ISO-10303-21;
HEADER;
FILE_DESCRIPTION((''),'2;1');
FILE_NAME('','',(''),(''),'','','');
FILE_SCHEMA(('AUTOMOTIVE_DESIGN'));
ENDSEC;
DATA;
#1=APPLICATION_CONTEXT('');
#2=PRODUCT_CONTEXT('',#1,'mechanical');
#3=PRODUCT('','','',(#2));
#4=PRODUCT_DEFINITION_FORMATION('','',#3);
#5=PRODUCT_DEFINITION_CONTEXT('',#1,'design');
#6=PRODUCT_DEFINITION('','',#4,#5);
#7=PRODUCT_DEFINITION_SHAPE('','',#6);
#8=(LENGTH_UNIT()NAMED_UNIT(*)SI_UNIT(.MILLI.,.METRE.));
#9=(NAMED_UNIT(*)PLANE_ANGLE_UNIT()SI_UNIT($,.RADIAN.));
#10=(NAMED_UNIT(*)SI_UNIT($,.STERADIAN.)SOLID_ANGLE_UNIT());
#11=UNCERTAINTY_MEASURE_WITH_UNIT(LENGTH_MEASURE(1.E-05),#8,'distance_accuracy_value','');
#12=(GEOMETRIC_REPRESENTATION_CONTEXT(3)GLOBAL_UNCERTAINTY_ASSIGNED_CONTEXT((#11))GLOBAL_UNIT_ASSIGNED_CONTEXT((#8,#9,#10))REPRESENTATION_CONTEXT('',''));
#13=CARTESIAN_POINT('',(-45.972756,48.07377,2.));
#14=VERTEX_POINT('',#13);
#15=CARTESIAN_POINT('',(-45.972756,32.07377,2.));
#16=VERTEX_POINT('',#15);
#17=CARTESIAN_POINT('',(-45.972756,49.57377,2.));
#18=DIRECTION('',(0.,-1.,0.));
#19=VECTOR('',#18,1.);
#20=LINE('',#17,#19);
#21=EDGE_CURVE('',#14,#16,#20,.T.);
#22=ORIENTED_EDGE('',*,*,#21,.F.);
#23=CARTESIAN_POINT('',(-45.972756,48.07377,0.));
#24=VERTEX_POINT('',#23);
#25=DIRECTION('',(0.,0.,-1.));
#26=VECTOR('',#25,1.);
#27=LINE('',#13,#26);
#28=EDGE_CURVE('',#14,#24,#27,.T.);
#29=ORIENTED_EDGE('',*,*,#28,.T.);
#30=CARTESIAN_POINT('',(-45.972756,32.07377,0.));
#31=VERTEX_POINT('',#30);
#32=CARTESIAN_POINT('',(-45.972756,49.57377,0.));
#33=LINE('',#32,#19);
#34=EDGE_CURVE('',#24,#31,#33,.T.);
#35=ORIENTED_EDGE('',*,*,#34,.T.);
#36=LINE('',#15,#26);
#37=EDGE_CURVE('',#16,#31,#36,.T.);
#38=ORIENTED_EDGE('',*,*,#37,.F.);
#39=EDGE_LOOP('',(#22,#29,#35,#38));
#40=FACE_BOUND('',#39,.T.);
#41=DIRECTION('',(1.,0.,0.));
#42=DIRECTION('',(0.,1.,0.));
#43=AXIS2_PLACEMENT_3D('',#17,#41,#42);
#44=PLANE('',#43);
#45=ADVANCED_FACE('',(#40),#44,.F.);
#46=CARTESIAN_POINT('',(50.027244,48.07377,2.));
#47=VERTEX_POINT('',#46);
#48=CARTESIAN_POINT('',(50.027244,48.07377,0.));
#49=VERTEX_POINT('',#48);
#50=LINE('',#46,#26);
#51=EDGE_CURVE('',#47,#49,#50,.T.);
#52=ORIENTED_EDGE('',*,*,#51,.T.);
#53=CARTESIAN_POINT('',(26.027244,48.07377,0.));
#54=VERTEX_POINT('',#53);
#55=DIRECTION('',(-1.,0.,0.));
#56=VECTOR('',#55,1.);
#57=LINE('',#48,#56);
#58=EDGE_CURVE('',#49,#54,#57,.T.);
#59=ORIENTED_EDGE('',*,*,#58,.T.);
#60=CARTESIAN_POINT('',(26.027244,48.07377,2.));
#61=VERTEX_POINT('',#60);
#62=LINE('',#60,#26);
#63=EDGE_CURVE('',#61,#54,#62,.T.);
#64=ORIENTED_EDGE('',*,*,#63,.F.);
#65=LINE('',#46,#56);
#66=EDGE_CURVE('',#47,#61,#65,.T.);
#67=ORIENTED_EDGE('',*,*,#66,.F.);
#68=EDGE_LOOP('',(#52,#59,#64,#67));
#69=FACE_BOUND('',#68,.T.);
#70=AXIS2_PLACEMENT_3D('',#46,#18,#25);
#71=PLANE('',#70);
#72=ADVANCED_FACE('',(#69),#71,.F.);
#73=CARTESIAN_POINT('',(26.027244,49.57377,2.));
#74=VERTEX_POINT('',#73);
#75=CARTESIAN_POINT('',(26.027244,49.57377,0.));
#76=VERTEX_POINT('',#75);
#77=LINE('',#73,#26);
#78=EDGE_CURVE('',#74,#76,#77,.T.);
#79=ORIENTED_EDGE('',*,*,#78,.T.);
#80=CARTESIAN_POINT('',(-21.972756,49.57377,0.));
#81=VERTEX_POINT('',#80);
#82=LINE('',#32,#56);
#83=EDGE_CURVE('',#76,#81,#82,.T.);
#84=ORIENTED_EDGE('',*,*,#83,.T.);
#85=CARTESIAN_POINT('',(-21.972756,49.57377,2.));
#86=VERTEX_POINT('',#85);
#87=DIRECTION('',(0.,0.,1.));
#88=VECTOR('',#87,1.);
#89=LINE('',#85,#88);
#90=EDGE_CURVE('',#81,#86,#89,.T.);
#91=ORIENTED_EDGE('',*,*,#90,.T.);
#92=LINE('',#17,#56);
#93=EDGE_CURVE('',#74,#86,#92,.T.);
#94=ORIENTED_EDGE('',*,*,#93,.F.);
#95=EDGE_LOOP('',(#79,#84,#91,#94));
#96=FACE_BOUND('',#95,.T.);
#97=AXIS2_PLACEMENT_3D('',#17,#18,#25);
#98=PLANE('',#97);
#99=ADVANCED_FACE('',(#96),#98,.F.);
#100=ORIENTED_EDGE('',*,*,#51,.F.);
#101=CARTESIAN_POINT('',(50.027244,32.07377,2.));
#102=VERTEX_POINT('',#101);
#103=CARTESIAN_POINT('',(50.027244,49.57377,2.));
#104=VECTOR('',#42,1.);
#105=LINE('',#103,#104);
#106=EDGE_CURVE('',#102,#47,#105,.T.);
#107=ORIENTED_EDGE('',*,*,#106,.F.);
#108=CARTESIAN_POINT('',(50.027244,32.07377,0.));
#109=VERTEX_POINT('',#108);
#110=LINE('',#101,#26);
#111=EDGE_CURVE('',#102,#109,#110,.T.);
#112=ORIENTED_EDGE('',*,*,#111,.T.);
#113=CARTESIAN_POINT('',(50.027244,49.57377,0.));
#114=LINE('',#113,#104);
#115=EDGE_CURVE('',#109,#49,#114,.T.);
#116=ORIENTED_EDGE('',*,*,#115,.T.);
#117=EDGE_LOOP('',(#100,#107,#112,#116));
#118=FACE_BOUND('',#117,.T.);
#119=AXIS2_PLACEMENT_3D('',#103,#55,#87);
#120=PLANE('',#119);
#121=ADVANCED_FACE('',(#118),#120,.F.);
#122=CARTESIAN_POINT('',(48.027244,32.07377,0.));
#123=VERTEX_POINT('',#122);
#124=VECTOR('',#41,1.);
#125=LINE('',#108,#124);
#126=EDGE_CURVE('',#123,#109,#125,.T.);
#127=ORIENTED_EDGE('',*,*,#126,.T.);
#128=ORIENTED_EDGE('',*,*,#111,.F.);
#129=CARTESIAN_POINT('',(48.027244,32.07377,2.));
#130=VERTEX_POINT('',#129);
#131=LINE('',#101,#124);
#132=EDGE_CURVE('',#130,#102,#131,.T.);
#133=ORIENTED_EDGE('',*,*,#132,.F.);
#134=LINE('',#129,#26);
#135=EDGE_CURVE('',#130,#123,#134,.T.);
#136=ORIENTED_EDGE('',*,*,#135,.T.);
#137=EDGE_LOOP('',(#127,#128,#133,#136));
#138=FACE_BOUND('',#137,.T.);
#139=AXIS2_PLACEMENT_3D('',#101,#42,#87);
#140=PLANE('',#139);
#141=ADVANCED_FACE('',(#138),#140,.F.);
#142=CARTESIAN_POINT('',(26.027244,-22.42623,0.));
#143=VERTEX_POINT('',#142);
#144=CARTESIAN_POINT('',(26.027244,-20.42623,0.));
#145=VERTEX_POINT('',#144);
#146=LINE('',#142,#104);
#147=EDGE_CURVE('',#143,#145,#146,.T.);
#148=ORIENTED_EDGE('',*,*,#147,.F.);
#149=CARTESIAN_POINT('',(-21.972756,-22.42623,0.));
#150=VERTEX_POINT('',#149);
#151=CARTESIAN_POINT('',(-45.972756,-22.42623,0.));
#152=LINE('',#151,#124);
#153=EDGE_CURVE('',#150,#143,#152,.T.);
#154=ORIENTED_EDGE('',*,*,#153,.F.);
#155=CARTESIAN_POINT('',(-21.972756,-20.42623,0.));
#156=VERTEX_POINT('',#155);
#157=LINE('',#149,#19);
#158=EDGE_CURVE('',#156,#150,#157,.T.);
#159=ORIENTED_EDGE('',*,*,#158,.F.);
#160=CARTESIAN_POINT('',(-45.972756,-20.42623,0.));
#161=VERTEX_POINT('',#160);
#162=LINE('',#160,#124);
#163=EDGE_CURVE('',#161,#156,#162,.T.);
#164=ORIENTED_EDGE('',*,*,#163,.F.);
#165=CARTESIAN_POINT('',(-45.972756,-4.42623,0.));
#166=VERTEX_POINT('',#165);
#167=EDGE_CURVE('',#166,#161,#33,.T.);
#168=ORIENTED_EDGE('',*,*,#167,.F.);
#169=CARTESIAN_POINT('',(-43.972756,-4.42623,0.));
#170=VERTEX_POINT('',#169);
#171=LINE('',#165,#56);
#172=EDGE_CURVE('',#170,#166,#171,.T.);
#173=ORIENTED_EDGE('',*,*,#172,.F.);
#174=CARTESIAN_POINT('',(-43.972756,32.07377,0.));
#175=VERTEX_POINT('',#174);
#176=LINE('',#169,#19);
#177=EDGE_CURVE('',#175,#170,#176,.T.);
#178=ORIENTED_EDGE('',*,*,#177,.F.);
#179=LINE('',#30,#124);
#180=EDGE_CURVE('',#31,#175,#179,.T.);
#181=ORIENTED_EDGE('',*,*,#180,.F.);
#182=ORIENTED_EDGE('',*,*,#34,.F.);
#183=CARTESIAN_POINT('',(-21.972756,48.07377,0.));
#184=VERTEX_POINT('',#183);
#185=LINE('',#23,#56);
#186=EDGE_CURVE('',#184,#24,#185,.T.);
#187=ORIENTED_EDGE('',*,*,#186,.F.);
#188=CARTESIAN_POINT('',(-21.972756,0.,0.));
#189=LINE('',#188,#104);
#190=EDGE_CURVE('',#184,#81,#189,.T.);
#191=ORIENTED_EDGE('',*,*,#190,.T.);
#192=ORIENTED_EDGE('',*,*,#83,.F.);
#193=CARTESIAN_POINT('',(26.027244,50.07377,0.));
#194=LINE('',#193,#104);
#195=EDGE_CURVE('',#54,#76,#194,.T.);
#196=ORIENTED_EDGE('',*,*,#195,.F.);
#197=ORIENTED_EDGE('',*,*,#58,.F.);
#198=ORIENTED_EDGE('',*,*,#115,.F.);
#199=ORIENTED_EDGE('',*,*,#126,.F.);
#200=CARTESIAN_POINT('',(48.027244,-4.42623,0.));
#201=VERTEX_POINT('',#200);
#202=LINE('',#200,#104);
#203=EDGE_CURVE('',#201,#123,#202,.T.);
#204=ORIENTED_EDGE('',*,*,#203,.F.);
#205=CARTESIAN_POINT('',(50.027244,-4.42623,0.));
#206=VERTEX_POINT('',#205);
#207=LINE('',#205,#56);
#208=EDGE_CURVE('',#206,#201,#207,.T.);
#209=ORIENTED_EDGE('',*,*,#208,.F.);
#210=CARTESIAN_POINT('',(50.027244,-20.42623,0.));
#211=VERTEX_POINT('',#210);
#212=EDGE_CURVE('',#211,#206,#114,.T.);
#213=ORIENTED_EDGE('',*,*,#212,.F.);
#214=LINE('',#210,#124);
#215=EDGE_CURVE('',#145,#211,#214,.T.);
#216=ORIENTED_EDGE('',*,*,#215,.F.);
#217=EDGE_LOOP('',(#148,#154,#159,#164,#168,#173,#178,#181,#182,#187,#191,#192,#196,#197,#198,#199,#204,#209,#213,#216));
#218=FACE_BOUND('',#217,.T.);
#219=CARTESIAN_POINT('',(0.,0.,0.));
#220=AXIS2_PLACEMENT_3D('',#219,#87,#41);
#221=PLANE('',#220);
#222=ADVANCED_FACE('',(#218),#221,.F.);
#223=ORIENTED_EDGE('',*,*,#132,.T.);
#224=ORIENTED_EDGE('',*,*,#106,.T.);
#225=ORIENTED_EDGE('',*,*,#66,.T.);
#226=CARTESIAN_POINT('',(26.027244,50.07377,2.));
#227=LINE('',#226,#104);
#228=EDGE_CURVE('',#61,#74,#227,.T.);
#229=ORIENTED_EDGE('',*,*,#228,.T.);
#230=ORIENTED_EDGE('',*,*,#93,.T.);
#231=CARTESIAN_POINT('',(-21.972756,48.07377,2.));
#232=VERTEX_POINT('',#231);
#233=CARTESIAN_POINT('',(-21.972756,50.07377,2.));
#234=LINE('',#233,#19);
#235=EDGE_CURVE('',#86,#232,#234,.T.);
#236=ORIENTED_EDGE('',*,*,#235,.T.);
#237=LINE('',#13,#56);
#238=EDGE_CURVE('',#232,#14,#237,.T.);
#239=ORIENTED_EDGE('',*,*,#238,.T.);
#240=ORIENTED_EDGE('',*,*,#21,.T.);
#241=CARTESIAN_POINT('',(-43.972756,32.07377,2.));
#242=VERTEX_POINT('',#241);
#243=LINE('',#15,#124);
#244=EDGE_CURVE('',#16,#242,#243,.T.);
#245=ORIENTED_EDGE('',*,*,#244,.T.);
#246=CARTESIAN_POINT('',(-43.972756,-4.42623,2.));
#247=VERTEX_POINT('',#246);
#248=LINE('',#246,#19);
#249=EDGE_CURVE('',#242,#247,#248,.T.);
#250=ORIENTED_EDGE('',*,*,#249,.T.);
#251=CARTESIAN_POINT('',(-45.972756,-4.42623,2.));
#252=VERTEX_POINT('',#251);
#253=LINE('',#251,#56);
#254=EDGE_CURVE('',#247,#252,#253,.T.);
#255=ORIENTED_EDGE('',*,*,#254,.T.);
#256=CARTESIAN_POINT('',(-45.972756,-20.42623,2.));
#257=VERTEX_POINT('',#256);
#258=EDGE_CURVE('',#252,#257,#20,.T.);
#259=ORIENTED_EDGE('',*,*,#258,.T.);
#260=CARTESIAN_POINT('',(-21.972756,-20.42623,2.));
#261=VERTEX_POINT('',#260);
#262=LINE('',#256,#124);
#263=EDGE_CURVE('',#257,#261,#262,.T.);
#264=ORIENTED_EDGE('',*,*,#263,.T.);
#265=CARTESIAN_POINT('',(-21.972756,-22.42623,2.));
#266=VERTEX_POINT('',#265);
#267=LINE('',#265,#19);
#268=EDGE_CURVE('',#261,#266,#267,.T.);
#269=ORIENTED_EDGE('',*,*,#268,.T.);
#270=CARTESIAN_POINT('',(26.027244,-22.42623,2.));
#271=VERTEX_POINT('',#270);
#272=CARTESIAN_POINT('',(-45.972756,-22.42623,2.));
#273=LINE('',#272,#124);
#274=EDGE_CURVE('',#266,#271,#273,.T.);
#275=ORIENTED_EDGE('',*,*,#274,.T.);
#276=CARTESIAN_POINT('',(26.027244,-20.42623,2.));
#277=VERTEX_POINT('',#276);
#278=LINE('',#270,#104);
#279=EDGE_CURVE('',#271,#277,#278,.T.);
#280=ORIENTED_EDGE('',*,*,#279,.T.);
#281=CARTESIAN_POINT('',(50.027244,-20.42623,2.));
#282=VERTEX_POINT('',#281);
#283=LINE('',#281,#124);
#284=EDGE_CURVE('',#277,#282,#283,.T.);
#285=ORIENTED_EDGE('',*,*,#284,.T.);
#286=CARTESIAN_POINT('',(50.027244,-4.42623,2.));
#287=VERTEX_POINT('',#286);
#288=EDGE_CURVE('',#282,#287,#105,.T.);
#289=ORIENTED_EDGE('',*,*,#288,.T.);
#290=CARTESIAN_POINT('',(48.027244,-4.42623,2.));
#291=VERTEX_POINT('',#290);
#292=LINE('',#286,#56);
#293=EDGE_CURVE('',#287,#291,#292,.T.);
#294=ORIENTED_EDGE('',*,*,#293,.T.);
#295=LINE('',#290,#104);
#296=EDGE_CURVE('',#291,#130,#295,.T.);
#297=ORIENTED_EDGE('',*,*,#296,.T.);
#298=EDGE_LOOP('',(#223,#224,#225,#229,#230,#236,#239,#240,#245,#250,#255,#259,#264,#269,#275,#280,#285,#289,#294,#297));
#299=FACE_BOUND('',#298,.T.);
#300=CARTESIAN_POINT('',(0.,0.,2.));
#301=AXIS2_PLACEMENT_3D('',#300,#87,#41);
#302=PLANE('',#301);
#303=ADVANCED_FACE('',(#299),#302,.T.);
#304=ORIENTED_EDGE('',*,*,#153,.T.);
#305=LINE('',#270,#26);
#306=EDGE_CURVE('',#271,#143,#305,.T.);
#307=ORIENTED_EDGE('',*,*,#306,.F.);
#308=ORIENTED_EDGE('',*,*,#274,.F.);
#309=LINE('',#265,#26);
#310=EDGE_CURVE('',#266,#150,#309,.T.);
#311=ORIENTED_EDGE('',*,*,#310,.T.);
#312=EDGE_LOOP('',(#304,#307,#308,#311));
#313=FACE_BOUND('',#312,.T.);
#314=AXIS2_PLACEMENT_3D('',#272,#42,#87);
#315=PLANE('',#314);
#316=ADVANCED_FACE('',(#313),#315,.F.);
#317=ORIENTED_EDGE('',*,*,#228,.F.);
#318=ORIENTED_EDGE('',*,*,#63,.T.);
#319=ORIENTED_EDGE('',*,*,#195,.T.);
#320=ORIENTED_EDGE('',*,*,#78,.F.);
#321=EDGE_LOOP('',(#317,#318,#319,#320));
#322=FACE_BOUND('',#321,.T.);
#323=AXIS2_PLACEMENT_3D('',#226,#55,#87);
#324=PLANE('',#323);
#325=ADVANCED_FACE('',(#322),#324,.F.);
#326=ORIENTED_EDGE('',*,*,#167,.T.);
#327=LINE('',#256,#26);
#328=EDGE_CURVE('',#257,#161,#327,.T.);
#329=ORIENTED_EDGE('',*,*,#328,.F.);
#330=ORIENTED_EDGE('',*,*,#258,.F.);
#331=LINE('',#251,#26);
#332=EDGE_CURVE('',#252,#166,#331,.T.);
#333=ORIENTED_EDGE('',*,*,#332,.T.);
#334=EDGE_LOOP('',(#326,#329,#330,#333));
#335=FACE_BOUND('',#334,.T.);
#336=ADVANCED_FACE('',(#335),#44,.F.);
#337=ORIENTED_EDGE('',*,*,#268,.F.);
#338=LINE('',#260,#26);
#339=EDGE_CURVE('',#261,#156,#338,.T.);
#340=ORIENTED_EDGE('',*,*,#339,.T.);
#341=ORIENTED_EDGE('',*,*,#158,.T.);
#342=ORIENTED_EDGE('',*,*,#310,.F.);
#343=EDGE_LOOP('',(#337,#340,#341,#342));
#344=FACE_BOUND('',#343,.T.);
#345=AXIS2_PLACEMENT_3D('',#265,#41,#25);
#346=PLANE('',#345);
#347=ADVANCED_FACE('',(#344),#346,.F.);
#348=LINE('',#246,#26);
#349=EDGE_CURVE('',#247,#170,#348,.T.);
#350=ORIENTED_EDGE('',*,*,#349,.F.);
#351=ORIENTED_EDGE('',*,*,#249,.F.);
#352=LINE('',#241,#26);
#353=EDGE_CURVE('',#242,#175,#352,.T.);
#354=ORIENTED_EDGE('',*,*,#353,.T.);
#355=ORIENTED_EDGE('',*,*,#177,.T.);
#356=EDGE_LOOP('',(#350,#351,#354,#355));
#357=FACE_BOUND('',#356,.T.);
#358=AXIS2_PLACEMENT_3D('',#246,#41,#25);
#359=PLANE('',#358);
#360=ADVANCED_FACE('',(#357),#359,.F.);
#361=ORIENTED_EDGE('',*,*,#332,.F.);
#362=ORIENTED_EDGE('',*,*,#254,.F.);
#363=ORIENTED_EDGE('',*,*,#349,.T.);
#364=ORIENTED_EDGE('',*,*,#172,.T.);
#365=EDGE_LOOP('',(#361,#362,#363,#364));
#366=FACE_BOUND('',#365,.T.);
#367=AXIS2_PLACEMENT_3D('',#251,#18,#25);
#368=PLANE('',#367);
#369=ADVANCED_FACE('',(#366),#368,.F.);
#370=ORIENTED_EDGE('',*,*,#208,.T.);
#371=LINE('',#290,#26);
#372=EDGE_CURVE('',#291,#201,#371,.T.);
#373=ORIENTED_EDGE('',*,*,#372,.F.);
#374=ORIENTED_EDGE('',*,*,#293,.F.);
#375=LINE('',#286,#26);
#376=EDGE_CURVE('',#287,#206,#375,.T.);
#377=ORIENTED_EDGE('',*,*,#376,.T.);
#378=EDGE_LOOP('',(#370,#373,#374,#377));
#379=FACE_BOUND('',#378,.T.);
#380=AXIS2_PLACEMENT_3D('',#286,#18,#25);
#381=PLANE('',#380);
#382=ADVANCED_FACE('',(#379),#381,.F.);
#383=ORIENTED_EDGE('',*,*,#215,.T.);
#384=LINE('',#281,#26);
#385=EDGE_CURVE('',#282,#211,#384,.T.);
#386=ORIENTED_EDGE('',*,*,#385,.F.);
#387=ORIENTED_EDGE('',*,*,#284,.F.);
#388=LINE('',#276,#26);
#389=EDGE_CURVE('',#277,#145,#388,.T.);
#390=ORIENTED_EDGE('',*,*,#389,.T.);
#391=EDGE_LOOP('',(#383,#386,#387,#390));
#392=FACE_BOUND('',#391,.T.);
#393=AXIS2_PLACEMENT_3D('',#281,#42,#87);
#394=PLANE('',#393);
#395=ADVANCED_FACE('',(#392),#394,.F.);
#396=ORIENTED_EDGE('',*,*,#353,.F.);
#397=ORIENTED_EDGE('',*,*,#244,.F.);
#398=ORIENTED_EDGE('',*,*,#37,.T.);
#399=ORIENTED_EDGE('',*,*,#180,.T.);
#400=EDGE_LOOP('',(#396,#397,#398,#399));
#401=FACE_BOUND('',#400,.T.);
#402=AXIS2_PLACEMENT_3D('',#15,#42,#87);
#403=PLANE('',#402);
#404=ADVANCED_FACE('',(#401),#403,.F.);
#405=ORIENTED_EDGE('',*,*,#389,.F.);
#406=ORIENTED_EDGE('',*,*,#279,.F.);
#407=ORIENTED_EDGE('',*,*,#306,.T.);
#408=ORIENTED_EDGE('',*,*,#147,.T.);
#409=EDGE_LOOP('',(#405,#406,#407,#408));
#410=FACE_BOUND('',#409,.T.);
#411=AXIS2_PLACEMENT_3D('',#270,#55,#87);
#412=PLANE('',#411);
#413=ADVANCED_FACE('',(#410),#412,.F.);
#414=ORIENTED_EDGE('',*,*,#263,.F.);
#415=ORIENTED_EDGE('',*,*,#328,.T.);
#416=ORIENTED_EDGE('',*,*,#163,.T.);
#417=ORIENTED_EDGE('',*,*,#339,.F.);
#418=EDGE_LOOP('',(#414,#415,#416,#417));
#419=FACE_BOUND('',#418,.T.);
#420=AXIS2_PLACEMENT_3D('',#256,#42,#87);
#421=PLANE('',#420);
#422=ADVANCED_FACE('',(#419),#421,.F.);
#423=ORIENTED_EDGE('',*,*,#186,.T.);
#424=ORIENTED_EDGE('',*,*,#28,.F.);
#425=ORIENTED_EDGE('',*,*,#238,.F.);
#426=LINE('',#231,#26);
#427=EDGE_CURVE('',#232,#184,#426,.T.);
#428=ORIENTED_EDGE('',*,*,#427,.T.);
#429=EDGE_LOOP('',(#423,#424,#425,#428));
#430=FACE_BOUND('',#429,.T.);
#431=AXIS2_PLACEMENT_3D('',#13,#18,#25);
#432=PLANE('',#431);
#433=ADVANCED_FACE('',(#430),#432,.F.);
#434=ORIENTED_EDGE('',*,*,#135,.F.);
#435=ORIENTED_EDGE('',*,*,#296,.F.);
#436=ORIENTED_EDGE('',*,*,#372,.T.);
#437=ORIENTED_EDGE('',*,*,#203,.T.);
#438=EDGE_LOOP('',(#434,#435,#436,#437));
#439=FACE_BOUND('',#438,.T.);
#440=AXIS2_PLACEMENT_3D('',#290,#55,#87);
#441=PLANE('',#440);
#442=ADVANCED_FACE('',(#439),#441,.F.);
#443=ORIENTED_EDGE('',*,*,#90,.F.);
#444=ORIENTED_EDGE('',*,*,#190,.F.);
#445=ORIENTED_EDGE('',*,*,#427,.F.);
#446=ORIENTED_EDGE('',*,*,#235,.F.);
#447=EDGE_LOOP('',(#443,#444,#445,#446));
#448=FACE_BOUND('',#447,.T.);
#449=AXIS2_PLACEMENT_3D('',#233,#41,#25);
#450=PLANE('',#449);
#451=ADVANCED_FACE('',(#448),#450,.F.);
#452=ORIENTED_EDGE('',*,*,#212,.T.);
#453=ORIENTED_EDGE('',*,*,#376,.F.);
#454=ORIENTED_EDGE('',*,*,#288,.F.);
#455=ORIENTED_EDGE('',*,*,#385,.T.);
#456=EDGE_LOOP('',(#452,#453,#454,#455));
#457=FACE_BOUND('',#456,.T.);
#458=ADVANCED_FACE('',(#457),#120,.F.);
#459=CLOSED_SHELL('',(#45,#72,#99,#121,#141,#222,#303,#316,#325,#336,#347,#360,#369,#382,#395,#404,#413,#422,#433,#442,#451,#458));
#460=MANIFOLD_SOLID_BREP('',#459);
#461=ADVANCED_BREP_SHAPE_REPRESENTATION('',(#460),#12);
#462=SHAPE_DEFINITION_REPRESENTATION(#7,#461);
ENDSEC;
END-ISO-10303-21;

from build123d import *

# Parameters (mm, degrees)
SKETCH_1_W          = 96
SKETCH_1_H          = 72
EXTRUDE_1_DEPTH     = 2
SKETCH_2_W          = 24
SKETCH_2_H          = 2
CUT_EXTRUDE_1_DEPTH = 3
SKETCH_3_W          = 2
SKETCH_3_H          = 36.5
CUT_EXTRUDE_2_DEPTH = 3
SKETCH_4_W          = 2
SKETCH_4_H          = 36.5
CUT_EXTRUDE_3_DEPTH = 3


with BuildPart() as part:
    # ｽｹｯﾁ1 → ﾎﾞｽ - 押し出し1 (new body)
    with BuildSketch(Plane.XY):
        with Locations((2.027244426, 13.573770492)):
            Rectangle(SKETCH_1_W, SKETCH_1_H)
    extrude(amount=EXTRUDE_1_DEPTH)

    # ｽｹｯﾁ2 → ｶｯﾄ - 押し出し1 (cut, through all)
    with BuildSketch(Plane(origin=(0, 0, 0), x_dir=(-1, 0, 0), z_dir=(0, 0, -1))):
        with Locations((33.972755574, -21.426229508)):
            Rectangle(SKETCH_2_W, SKETCH_2_H)
        with Locations((-38.027244426, -21.426229508)):
            Rectangle(SKETCH_2_W, SKETCH_2_H)
        with Locations((33.972755574, 49.073770492)):
            Rectangle(SKETCH_2_W, SKETCH_2_H)
        with Locations((-38.027244426, 49.073770492)):
            Rectangle(SKETCH_2_W, SKETCH_2_H)
    extrude(amount=-CUT_EXTRUDE_1_DEPTH, mode=Mode.SUBTRACT)

    # ｽｹｯﾁ3 → ｶｯﾄ - 押し出し2 (cut, through all)
    with BuildSketch(Plane(origin=(0, 0, 0), x_dir=(-1, 0, 0), z_dir=(0, 0, -1))):
        with Locations((44.972755574, 13.823770492)):
            Rectangle(SKETCH_3_W, SKETCH_3_H)
    extrude(amount=-CUT_EXTRUDE_2_DEPTH, mode=Mode.SUBTRACT)

    # ｽｹｯﾁ4 → ｶｯﾄ - 押し出し3 (cut, through all)
    with BuildSketch(Plane(origin=(0, 0, 0), x_dir=(-1, 0, 0), z_dir=(0, 0, -1))):
        with Locations((-49.027244426, 13.823770492)):
            Rectangle(SKETCH_4_W, SKETCH_4_H)
    extrude(amount=-CUT_EXTRUDE_3_DEPTH, mode=Mode.SUBTRACT)


solid = part.part
